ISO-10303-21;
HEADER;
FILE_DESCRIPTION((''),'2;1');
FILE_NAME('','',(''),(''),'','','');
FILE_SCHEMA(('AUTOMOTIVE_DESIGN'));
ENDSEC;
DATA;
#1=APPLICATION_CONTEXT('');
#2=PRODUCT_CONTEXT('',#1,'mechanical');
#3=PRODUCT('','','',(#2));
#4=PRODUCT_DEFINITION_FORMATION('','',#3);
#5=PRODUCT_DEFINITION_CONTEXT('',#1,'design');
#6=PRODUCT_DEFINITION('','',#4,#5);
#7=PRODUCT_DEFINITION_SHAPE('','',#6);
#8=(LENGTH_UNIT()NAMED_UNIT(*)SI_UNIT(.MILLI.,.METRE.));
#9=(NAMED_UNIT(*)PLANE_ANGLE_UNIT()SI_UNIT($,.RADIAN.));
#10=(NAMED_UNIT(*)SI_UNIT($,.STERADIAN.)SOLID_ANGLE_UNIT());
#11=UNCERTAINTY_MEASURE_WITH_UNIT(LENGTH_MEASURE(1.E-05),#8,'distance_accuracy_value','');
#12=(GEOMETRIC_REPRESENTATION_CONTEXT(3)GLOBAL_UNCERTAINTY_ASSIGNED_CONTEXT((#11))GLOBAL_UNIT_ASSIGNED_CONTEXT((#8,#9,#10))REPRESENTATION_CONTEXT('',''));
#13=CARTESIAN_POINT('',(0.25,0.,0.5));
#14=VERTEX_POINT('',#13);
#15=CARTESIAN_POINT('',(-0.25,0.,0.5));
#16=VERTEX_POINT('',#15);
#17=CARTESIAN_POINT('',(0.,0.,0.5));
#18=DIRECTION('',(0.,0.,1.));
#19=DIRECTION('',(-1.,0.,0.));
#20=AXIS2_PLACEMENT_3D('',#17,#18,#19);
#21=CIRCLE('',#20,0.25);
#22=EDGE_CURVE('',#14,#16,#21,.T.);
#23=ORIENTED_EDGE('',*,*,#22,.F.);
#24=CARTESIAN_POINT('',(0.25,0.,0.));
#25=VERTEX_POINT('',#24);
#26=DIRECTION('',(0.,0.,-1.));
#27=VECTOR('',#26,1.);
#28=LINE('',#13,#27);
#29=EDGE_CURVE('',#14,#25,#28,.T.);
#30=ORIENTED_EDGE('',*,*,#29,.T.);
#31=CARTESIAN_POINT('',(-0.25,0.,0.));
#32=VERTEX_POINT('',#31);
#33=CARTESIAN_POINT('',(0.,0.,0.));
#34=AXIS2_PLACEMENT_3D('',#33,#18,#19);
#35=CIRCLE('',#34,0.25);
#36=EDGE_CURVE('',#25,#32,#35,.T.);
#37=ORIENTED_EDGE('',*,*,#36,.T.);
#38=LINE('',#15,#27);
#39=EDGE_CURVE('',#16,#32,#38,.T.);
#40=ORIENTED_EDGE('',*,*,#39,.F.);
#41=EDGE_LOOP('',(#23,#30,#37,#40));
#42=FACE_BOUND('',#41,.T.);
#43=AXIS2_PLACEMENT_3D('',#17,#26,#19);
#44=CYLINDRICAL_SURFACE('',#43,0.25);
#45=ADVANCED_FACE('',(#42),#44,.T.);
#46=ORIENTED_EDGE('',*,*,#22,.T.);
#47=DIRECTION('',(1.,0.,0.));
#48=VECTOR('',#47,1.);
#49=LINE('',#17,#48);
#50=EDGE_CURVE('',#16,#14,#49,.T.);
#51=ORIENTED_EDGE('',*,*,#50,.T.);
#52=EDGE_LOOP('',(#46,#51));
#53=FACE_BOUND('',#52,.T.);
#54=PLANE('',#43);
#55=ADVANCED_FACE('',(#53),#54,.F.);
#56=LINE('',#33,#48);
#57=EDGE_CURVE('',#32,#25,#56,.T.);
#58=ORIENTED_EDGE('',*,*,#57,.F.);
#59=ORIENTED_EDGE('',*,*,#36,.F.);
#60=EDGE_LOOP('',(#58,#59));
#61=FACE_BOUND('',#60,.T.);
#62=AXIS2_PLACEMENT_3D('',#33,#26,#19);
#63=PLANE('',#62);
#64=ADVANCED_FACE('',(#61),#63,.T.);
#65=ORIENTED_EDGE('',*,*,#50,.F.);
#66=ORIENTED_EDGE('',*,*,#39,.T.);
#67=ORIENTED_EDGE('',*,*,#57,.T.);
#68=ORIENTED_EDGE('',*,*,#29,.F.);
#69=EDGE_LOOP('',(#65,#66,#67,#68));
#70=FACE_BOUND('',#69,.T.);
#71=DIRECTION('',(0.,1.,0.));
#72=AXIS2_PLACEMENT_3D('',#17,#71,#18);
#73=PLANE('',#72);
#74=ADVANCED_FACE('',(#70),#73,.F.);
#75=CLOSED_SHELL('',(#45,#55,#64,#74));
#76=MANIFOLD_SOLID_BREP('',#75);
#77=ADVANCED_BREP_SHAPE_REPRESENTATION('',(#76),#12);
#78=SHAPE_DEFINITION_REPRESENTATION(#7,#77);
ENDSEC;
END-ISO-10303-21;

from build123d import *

# Parameters (mm, degrees)
BOSS_EXTRUDE1_DEPTH = 0.5


with BuildPart() as part:
    # Sketch1 → Boss-Extrude1 (new body)
    with BuildSketch(Plane.XY):
        with BuildLine():
            Line((0, 0), (-0.25, 0))
            ThreePointArc((-0.25, 0), (0, 0.25), (0.25, 0))
            Line((0.25, 0), (0, 0))
        make_face()
    extrude(amount=BOSS_EXTRUDE1_DEPTH)


solid = part.part
